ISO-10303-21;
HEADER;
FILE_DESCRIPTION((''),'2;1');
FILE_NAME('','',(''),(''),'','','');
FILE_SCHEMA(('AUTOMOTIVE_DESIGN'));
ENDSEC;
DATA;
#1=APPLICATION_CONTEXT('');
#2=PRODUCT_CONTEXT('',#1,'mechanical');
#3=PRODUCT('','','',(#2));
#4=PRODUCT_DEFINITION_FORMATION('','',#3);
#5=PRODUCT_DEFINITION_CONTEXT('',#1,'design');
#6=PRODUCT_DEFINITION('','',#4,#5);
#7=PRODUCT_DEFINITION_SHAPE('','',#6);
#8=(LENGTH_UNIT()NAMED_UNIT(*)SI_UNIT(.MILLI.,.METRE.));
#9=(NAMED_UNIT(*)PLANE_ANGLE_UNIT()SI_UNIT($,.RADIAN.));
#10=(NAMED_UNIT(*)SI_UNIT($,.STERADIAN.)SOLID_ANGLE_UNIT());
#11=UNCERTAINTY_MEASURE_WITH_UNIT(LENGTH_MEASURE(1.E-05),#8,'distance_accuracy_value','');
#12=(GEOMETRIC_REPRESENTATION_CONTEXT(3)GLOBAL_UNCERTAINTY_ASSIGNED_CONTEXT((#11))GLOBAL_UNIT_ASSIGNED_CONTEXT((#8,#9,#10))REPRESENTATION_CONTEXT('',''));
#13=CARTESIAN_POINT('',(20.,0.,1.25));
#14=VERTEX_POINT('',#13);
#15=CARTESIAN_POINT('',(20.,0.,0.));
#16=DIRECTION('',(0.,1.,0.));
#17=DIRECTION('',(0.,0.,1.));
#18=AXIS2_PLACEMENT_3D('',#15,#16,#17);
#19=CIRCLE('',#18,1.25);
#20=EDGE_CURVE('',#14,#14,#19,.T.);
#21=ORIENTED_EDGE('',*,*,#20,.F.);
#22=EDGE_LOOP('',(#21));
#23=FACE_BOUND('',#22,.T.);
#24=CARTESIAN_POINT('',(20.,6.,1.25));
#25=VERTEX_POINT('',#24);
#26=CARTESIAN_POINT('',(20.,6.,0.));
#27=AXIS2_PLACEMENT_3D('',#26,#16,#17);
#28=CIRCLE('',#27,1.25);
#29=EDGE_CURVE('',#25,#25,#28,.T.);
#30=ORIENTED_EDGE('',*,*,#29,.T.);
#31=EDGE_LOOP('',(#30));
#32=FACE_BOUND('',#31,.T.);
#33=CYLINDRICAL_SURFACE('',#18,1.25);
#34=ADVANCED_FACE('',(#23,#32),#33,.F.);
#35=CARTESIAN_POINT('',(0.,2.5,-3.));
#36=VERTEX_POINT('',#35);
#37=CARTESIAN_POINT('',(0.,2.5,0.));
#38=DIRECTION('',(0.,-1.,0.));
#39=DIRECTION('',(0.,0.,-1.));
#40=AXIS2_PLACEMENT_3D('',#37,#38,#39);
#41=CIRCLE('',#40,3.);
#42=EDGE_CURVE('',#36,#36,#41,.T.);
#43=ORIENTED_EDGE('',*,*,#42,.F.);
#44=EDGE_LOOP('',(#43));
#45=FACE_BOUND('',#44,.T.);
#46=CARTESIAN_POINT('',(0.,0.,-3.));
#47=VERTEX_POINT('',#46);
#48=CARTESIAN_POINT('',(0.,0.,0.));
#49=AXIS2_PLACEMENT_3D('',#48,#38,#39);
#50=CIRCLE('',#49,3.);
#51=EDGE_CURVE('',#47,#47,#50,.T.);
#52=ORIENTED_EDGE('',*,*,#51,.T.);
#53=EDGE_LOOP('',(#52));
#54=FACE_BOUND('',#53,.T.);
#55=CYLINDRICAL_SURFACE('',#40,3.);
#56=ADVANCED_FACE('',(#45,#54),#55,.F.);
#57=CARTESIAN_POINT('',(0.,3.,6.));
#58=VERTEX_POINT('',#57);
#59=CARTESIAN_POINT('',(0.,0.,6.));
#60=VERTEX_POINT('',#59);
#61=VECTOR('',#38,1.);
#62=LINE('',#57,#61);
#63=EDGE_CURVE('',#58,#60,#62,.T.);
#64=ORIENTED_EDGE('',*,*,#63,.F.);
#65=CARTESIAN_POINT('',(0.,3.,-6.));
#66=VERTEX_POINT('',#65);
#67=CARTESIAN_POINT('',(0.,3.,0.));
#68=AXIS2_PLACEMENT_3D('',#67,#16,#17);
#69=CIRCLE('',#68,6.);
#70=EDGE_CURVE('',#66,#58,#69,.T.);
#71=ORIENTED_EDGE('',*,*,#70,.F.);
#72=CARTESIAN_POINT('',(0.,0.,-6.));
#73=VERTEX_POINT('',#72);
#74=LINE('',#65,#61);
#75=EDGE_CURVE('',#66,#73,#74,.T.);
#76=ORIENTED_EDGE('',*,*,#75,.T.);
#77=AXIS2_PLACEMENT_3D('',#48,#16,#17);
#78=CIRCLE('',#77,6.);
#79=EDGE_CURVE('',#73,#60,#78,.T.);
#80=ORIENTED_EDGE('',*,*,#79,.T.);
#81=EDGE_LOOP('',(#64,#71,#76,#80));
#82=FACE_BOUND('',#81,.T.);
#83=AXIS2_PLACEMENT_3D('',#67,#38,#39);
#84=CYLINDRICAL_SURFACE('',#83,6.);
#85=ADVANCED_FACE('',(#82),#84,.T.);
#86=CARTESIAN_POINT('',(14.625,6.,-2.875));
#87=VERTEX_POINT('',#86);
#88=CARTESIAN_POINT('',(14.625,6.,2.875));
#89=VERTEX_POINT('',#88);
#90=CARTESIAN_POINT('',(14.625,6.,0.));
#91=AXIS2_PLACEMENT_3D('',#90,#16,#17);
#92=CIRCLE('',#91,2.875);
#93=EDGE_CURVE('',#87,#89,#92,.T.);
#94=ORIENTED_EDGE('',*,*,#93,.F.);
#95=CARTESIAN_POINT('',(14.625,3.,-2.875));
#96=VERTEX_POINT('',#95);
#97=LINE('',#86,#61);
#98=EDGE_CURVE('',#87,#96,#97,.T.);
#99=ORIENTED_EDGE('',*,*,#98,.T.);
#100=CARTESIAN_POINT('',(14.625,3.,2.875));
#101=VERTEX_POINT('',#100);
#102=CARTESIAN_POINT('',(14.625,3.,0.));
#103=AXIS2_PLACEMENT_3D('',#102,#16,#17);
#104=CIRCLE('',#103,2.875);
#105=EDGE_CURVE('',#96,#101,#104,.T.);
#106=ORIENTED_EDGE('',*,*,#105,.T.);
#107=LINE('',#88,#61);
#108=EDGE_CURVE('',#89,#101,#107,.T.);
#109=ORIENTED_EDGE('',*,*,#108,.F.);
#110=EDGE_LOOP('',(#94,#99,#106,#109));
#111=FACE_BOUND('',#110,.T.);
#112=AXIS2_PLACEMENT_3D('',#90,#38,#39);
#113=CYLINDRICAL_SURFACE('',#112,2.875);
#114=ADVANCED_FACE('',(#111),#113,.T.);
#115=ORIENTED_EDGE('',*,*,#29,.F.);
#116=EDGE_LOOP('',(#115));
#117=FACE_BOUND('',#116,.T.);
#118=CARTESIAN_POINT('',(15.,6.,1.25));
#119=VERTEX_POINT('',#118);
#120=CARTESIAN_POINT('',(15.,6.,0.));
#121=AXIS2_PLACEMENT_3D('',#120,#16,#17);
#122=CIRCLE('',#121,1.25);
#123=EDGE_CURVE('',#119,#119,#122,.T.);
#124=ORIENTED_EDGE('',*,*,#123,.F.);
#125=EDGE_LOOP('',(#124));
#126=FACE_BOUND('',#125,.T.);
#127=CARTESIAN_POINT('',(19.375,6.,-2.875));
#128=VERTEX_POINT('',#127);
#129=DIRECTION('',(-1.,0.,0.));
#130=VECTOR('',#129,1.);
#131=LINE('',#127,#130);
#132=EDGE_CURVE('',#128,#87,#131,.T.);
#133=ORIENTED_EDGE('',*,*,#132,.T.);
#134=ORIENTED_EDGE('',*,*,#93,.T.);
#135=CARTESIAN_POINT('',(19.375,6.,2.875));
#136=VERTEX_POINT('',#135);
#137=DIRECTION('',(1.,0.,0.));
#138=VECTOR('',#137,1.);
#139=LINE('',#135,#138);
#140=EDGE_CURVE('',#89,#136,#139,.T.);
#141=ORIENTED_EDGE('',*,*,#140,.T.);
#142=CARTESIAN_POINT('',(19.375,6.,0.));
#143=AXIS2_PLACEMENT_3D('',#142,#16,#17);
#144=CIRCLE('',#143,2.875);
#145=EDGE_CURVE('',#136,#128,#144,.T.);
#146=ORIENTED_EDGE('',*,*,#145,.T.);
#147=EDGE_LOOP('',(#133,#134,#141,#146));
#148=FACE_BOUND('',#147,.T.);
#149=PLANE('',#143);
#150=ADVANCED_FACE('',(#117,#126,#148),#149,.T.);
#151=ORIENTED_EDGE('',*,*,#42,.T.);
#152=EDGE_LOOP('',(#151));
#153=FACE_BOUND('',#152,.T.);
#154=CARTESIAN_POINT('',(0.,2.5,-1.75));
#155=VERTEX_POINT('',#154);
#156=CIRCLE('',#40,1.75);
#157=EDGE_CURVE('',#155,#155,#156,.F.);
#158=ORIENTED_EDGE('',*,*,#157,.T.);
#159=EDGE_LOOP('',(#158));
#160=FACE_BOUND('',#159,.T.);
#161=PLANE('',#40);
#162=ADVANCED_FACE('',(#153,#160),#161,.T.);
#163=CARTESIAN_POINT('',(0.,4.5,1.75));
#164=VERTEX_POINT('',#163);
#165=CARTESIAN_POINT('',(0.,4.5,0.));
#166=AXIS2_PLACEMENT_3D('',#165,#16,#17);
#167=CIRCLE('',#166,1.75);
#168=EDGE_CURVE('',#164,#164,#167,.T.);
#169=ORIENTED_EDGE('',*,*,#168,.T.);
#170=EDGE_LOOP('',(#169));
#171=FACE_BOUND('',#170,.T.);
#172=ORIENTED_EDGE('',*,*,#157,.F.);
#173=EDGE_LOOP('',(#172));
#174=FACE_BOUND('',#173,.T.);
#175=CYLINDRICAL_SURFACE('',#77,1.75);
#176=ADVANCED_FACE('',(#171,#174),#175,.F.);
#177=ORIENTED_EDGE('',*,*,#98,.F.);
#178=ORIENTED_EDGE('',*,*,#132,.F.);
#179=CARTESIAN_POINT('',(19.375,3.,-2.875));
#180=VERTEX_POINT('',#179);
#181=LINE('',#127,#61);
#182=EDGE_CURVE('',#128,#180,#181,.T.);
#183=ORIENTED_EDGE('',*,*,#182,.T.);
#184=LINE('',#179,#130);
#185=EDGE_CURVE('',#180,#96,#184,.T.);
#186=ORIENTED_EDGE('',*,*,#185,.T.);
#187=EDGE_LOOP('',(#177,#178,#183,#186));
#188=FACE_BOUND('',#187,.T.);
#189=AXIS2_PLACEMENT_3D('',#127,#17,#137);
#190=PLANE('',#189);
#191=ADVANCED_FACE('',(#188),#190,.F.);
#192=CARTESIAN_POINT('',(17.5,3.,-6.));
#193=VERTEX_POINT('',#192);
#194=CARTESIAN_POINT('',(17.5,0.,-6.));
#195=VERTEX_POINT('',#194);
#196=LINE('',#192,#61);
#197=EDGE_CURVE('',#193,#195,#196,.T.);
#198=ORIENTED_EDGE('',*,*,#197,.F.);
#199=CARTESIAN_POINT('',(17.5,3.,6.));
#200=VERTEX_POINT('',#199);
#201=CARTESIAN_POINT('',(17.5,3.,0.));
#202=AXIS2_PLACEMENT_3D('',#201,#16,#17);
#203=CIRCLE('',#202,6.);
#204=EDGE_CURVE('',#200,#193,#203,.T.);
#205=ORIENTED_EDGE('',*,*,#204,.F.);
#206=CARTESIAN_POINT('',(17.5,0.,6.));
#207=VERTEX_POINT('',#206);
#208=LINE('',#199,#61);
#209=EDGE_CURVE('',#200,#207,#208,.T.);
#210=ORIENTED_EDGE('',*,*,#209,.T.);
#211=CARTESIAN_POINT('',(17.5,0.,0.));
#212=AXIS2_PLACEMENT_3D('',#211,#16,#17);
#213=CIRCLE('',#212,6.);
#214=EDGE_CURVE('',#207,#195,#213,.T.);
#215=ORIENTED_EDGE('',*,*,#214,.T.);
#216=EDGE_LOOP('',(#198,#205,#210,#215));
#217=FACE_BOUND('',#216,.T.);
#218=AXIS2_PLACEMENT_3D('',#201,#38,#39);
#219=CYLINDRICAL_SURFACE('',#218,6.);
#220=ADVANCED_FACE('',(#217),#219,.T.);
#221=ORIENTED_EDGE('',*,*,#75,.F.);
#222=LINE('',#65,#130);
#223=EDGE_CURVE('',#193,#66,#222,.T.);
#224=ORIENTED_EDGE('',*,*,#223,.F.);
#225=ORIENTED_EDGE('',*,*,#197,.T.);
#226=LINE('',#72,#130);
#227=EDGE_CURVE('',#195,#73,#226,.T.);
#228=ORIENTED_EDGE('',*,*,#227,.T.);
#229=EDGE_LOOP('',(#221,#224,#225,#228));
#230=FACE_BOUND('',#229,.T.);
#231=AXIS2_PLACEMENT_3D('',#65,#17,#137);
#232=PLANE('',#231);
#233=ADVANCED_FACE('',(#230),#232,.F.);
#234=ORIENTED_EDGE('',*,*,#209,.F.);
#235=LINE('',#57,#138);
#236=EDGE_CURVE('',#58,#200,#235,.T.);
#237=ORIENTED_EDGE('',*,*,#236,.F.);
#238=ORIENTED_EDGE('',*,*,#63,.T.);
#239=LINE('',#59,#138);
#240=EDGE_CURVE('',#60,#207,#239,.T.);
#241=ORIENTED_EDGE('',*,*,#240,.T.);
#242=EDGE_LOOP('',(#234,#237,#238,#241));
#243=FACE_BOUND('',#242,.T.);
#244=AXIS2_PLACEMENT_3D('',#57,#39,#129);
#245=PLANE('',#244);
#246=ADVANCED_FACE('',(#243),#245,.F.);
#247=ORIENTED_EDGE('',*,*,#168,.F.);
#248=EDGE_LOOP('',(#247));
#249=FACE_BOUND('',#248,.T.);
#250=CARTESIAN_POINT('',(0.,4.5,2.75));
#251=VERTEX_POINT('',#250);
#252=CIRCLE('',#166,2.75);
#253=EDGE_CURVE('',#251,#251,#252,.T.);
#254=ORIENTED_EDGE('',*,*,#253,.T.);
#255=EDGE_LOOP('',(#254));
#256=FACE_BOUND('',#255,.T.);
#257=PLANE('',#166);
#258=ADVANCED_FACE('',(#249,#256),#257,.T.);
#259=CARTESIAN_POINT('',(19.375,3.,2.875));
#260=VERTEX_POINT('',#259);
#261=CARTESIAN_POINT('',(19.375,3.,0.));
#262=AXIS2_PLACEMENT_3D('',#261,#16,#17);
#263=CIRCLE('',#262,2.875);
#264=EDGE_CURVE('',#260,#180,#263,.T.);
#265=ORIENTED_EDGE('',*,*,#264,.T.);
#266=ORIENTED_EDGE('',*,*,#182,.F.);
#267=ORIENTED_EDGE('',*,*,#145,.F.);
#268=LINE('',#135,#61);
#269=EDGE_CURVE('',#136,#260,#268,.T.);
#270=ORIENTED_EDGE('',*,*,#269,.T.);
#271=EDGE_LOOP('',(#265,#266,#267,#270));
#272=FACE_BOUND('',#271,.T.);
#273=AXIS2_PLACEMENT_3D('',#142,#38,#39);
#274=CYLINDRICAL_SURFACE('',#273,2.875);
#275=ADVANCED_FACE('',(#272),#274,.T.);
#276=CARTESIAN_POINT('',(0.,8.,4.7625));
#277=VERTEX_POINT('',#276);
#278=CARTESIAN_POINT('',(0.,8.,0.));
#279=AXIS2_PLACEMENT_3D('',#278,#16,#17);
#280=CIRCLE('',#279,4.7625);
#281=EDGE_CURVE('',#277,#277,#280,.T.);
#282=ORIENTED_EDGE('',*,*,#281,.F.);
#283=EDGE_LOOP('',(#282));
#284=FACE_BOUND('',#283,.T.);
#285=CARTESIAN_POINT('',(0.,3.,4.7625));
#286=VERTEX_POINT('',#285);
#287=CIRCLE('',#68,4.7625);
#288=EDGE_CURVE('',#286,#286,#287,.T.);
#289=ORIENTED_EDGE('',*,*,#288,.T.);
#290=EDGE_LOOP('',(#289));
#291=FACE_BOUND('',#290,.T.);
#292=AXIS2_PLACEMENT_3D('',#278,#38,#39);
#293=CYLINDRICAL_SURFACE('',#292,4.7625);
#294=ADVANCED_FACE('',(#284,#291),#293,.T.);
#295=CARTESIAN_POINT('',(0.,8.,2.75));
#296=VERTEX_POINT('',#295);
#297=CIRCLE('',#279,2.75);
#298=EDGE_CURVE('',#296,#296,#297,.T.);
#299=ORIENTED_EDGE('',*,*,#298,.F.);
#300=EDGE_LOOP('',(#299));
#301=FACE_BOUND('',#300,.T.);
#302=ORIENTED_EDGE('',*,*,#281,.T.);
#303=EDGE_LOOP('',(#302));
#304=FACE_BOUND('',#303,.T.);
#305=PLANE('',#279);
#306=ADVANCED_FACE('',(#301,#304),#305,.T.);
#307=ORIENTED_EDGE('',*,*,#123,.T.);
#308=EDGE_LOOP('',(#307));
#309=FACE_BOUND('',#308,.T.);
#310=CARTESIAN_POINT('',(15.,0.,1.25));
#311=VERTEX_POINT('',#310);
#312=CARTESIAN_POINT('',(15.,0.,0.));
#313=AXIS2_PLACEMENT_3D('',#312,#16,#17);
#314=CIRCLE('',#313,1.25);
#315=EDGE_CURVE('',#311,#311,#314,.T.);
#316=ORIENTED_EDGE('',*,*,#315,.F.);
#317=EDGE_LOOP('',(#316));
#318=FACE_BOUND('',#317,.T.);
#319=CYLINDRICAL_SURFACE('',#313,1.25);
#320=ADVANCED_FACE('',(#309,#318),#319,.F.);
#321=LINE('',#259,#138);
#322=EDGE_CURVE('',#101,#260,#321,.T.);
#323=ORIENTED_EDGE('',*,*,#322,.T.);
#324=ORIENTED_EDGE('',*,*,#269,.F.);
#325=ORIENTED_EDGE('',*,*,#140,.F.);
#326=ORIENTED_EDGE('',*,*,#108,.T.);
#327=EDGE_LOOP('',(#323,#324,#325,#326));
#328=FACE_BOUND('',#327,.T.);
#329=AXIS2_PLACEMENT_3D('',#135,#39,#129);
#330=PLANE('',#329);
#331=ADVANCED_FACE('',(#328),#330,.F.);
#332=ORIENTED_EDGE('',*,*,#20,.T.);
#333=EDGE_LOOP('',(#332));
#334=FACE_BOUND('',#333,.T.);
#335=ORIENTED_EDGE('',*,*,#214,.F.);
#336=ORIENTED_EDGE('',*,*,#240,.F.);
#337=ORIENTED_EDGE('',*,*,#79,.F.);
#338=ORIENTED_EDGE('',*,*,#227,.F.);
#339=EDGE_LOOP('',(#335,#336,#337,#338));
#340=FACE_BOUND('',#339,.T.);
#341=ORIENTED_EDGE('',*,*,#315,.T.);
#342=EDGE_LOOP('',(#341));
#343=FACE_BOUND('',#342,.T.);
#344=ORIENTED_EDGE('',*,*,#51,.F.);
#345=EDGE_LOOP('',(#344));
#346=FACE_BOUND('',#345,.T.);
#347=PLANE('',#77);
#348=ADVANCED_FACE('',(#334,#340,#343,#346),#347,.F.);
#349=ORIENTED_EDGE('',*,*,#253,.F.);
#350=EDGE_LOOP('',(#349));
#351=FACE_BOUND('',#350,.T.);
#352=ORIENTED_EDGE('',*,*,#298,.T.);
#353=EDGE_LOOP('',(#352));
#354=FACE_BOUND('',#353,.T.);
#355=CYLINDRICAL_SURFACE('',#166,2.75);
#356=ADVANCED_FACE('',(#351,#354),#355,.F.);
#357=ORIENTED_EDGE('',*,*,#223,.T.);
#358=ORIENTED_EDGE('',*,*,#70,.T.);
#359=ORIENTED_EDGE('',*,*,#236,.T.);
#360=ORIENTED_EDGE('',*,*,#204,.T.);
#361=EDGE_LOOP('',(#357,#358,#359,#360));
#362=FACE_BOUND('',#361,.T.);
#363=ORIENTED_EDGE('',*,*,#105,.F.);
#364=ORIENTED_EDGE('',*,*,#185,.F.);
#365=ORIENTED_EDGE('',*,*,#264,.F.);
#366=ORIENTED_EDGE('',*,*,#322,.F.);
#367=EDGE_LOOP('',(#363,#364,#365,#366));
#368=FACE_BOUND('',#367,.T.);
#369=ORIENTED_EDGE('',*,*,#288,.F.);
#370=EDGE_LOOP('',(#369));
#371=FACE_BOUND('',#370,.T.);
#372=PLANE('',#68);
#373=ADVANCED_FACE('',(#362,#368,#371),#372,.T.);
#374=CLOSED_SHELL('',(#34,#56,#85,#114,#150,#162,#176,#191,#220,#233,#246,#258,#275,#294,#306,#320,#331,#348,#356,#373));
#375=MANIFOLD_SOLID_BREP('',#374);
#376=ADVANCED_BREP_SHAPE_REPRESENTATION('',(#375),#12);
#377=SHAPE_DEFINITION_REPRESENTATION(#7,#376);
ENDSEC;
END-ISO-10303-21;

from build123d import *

# Parameters (mm, degrees)
BOSS_EXTRUDE1_DEPTH = 3
SKETCH2_R           = 4.7625
BOSS_EXTRUDE2_DEPTH = 5
BOSS_EXTRUDE3_DEPTH = 3
SKETCH4_R           = 2.75
CUT_EXTRUDE1_DEPTH  = 3.5
SKETCH5_R           = 1.25
CUT_EXTRUDE2_DEPTH  = 25.984995497
SKETCH6_R           = 1.75
CUT_EXTRUDE3_DEPTH  = 25.667792767
SKETCH7_R           = 3
CUT_EXTRUDE4_DEPTH  = 2.5


with BuildPart() as part:
    # Sketch1 → Boss-Extrude1 (new body)
    with BuildSketch(Plane(origin=(0, 0, 0), x_dir=(1, 0, 0), z_dir=(0, 1, 0))):
        with BuildLine():
            Line((0, 6), (17.5, 6))
            ThreePointArc((17.5, 6), (23.5, 0), (17.5, -6))
            Line((17.5, -6), (0, -6))
            ThreePointArc((0, -6), (-6, 0), (0, 6))
        make_face()
    extrude(amount=BOSS_EXTRUDE1_DEPTH)

    # Sketch2 → Boss-Extrude2 (add)
    with BuildSketch(Plane(origin=(0, 3, 0), x_dir=(1, 0, 0), z_dir=(0, 1, 0))):
        with Locations(Location((0, 0, 0), (0, 0, 270))):
            Circle(SKETCH2_R)
    extrude(amount=BOSS_EXTRUDE2_DEPTH)

    # Sketch3 → Boss-Extrude3 (add)
    with BuildSketch(Plane(origin=(0, 3, 0), x_dir=(1, 0, 0), z_dir=(0, 1, 0))):
        with BuildLine():
            Line((19.375, -2.875), (14.625, -2.875))
            ThreePointArc((14.625, -2.875), (11.75, 0), (14.625, 2.875))
            Line((14.625, 2.875), (19.375, 2.875))
            ThreePointArc((19.375, 2.875), (22.25, 0), (19.375, -2.875))
        make_face()
    extrude(amount=BOSS_EXTRUDE3_DEPTH)

    # Sketch4 → Cut-Extrude1 (cut)
    with BuildSketch(Plane(origin=(0, 8, 0), x_dir=(1, 0, 0), z_dir=(0, 1, 0))):
        with Locations(Location((0, 0, 0), (0, 0, 270))):
            Circle(SKETCH4_R)
    extrude(amount=-CUT_EXTRUDE1_DEPTH, mode=Mode.SUBTRACT)

    # Sketch5 → Cut-Extrude2 (cut, through all)
    with BuildSketch(Plane(origin=(0, 6, 0), x_dir=(1, 0, 0), z_dir=(0, 1, 0))):
        with Locations(Location((20, 0, 0), (0, 0, 270))):
            Circle(SKETCH5_R)
        with Locations(Location((15, 0, 0), (0, 0, 270))):
            Circle(SKETCH5_R)
    extrude(amount=-CUT_EXTRUDE2_DEPTH, mode=Mode.SUBTRACT)

    # Sketch6 → Cut-Extrude3 (cut, through all)
    with BuildSketch(Plane(origin=(0, 4.5, 0), x_dir=(1, 0, 0), z_dir=(0, 1, 0))):
        with Locations(Location((0, 0, 0), (0, 0, 270))):
            Circle(SKETCH6_R)
    extrude(amount=-CUT_EXTRUDE3_DEPTH, mode=Mode.SUBTRACT)

    # Sketch7 → Cut-Extrude4 (cut)
    with BuildSketch(Plane.XZ):
        with Locations(Location((0, 0, 0), (0, 0, 270))):
            Circle(SKETCH7_R)
    extrude(amount=-CUT_EXTRUDE4_DEPTH, mode=Mode.SUBTRACT)


solid = part.part
